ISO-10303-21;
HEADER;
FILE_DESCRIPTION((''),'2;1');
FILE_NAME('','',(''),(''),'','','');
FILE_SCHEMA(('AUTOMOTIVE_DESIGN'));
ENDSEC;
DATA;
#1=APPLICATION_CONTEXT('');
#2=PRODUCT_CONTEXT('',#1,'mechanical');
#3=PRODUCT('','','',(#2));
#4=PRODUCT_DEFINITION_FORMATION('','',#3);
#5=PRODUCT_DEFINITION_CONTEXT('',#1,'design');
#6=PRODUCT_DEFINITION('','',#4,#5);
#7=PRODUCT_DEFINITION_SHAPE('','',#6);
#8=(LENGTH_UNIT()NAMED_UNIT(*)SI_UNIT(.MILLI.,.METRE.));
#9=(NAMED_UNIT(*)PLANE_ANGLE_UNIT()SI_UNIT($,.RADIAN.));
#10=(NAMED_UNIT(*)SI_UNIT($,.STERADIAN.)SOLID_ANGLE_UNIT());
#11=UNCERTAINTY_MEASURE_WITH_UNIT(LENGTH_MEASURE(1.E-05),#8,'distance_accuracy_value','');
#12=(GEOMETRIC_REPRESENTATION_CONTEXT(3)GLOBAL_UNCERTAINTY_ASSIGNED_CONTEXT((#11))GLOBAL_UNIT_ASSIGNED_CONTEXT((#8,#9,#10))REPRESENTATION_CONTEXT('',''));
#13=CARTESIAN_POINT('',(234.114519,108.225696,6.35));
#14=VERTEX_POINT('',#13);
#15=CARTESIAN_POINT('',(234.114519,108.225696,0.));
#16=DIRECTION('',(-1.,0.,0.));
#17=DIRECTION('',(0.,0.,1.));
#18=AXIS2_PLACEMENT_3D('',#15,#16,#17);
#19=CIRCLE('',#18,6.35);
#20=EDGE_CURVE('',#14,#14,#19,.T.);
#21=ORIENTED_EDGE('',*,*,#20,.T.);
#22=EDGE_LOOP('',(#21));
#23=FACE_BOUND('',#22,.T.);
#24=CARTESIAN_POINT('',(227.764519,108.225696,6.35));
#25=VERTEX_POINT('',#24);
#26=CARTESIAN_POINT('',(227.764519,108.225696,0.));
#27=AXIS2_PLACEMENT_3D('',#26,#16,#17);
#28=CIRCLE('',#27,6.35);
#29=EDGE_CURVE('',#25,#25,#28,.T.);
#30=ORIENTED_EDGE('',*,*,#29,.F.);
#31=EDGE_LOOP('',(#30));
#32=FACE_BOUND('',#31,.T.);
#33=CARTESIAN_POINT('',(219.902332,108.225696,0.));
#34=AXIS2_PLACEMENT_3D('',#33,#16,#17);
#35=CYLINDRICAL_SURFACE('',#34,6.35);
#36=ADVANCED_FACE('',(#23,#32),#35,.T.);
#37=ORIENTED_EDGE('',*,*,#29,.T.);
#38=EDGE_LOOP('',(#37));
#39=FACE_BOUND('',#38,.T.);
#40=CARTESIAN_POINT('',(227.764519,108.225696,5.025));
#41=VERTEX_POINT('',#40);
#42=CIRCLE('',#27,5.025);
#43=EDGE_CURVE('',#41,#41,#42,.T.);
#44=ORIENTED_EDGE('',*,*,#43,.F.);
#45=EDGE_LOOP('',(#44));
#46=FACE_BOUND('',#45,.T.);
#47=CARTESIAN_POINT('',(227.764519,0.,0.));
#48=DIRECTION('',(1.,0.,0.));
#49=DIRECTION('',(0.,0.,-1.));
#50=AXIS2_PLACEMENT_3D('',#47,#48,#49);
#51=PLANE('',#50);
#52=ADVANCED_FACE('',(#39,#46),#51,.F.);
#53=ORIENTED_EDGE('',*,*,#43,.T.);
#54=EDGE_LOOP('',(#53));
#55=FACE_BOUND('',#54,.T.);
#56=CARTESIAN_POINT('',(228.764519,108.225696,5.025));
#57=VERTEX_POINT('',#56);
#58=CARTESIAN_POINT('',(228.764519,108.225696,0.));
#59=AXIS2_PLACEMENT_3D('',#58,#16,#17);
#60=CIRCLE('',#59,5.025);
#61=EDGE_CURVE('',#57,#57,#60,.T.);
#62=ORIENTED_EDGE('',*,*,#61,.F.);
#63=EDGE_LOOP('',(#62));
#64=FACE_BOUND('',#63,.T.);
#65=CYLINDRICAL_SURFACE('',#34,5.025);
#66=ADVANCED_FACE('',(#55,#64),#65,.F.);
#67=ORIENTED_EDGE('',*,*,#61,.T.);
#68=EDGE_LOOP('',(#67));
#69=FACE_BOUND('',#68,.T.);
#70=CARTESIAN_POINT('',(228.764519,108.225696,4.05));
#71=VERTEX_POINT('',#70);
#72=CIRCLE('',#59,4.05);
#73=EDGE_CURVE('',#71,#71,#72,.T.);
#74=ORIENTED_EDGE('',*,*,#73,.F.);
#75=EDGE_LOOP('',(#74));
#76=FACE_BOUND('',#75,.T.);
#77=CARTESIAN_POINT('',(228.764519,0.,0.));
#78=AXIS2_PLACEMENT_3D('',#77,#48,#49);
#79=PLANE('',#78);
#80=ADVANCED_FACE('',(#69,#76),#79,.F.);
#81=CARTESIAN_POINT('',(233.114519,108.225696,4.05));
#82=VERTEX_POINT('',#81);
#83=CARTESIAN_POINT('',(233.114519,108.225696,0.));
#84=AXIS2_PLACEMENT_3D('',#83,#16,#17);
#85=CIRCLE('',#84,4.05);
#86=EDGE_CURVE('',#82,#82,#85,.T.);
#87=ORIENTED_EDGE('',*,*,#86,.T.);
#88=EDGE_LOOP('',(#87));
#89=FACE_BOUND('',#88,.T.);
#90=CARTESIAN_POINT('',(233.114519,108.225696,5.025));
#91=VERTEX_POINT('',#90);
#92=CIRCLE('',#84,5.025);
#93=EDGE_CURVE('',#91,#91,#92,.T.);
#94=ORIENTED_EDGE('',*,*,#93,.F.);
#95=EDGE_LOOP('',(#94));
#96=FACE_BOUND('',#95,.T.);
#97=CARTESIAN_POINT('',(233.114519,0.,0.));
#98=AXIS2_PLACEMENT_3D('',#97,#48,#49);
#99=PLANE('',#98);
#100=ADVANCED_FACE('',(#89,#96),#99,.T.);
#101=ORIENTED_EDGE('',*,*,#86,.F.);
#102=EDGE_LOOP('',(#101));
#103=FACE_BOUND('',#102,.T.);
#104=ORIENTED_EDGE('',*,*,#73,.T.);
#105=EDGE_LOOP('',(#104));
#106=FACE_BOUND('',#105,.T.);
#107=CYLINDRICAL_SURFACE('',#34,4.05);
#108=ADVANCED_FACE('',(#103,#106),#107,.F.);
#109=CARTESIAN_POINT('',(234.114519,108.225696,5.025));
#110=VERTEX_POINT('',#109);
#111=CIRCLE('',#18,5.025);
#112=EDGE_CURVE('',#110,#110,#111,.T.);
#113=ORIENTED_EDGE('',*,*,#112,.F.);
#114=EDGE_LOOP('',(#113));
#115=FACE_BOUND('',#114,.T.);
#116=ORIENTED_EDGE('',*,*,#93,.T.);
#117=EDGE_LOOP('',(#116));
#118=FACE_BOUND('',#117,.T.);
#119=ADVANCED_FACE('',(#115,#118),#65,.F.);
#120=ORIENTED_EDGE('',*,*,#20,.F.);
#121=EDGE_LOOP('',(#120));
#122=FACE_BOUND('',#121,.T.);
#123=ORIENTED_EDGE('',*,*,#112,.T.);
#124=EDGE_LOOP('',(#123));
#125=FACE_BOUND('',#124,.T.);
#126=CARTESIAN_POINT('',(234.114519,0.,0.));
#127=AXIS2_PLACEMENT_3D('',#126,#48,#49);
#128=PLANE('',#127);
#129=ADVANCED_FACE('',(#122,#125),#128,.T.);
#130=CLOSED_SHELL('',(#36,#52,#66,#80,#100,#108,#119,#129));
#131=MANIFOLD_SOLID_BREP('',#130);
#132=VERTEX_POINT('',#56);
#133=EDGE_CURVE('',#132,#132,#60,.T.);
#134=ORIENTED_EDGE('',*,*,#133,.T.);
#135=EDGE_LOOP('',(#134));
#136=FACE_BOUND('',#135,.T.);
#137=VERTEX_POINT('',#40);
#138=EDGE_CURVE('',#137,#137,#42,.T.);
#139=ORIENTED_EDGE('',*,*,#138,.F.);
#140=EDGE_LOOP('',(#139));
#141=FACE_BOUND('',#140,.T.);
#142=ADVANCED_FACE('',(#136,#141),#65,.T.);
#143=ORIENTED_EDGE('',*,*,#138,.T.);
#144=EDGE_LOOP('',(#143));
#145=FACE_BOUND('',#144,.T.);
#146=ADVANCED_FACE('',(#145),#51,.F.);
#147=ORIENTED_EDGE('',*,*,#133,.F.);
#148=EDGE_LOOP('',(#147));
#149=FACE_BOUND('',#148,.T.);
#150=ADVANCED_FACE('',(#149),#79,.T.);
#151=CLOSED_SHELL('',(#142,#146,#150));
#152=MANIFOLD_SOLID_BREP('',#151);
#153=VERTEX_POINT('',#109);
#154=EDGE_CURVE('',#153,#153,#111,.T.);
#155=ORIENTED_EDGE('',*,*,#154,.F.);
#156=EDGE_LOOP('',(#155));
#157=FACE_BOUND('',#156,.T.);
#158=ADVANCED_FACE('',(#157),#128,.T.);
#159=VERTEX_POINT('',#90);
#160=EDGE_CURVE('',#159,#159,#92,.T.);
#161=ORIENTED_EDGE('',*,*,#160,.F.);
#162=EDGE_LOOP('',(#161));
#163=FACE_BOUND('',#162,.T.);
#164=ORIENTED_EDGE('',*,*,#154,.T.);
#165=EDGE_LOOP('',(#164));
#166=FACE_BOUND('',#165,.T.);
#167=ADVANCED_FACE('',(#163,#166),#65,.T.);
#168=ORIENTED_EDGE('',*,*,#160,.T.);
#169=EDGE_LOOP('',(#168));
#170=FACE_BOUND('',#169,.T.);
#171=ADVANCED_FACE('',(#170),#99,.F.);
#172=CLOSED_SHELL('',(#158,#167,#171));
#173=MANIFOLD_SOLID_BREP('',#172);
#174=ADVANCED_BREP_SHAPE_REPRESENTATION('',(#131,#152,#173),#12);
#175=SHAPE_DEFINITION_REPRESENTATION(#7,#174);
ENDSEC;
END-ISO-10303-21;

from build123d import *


with BuildPart() as part:
    # Sketch 1 → Revolve 1 (revolve)
    with BuildSketch(Plane.XY, mode=Mode.PRIVATE) as revolve_1_sk:
        Polygon((234.114519085, 114.575695895), (227.764519085, 114.575695895), (227.764519085, 113.250695895), (228.764519085, 113.250695895), (228.764519085, 112.275695895), (233.114519085, 112.275695895), (233.114519085, 113.250695895), (234.114519085, 113.250695895), align=None)
    revolve(revolve_1_sk.sketch.rotate(Axis((219.902332256, 108.225695895, 0), (1, 0, 0)), 90), axis=Axis((219.902332256, 108.225695895, 0), (1, 0, 0)))  # turned: the seam where the file's is


with BuildPart() as body_2:
    # Sketch 1_4 one side → Revolve 2 (revolve)
    with BuildSketch(Plane.XY, mode=Mode.PRIVATE) as revolve_2_sk:
        Polygon((228.764519085, 112.275695895), (228.764519085, 113.250695895), (227.764519085, 113.250695895), (227.764519085, 108.225695895), (228.764519085, 108.225695895), align=None)
    revolve(revolve_2_sk.sketch.rotate(Axis((219.902332256, 108.225695895, 0), (1, 0, 0)), 90), axis=Axis((219.902332256, 108.225695895, 0), (1, 0, 0)))  # turned: the seam where the file's is


with BuildPart() as body_3:
    # Sketch 1_5 one side → Revolve 3 (revolve)
    with BuildSketch(Plane.XY, mode=Mode.PRIVATE) as revolve_3_sk:
        Polygon((233.114519085, 108.225695895), (234.114519085, 108.225695895), (234.114519085, 113.250695895), (233.114519085, 113.250695895), (233.114519085, 112.275695895), align=None)
    revolve(revolve_3_sk.sketch.rotate(Axis((219.902332256, 108.225695895, 0), (1, 0, 0)), 90), axis=Axis((219.902332256, 108.225695895, 0), (1, 0, 0)))  # turned: the seam where the file's is


solid = Compound([part.part, body_2.part, body_3.part])
